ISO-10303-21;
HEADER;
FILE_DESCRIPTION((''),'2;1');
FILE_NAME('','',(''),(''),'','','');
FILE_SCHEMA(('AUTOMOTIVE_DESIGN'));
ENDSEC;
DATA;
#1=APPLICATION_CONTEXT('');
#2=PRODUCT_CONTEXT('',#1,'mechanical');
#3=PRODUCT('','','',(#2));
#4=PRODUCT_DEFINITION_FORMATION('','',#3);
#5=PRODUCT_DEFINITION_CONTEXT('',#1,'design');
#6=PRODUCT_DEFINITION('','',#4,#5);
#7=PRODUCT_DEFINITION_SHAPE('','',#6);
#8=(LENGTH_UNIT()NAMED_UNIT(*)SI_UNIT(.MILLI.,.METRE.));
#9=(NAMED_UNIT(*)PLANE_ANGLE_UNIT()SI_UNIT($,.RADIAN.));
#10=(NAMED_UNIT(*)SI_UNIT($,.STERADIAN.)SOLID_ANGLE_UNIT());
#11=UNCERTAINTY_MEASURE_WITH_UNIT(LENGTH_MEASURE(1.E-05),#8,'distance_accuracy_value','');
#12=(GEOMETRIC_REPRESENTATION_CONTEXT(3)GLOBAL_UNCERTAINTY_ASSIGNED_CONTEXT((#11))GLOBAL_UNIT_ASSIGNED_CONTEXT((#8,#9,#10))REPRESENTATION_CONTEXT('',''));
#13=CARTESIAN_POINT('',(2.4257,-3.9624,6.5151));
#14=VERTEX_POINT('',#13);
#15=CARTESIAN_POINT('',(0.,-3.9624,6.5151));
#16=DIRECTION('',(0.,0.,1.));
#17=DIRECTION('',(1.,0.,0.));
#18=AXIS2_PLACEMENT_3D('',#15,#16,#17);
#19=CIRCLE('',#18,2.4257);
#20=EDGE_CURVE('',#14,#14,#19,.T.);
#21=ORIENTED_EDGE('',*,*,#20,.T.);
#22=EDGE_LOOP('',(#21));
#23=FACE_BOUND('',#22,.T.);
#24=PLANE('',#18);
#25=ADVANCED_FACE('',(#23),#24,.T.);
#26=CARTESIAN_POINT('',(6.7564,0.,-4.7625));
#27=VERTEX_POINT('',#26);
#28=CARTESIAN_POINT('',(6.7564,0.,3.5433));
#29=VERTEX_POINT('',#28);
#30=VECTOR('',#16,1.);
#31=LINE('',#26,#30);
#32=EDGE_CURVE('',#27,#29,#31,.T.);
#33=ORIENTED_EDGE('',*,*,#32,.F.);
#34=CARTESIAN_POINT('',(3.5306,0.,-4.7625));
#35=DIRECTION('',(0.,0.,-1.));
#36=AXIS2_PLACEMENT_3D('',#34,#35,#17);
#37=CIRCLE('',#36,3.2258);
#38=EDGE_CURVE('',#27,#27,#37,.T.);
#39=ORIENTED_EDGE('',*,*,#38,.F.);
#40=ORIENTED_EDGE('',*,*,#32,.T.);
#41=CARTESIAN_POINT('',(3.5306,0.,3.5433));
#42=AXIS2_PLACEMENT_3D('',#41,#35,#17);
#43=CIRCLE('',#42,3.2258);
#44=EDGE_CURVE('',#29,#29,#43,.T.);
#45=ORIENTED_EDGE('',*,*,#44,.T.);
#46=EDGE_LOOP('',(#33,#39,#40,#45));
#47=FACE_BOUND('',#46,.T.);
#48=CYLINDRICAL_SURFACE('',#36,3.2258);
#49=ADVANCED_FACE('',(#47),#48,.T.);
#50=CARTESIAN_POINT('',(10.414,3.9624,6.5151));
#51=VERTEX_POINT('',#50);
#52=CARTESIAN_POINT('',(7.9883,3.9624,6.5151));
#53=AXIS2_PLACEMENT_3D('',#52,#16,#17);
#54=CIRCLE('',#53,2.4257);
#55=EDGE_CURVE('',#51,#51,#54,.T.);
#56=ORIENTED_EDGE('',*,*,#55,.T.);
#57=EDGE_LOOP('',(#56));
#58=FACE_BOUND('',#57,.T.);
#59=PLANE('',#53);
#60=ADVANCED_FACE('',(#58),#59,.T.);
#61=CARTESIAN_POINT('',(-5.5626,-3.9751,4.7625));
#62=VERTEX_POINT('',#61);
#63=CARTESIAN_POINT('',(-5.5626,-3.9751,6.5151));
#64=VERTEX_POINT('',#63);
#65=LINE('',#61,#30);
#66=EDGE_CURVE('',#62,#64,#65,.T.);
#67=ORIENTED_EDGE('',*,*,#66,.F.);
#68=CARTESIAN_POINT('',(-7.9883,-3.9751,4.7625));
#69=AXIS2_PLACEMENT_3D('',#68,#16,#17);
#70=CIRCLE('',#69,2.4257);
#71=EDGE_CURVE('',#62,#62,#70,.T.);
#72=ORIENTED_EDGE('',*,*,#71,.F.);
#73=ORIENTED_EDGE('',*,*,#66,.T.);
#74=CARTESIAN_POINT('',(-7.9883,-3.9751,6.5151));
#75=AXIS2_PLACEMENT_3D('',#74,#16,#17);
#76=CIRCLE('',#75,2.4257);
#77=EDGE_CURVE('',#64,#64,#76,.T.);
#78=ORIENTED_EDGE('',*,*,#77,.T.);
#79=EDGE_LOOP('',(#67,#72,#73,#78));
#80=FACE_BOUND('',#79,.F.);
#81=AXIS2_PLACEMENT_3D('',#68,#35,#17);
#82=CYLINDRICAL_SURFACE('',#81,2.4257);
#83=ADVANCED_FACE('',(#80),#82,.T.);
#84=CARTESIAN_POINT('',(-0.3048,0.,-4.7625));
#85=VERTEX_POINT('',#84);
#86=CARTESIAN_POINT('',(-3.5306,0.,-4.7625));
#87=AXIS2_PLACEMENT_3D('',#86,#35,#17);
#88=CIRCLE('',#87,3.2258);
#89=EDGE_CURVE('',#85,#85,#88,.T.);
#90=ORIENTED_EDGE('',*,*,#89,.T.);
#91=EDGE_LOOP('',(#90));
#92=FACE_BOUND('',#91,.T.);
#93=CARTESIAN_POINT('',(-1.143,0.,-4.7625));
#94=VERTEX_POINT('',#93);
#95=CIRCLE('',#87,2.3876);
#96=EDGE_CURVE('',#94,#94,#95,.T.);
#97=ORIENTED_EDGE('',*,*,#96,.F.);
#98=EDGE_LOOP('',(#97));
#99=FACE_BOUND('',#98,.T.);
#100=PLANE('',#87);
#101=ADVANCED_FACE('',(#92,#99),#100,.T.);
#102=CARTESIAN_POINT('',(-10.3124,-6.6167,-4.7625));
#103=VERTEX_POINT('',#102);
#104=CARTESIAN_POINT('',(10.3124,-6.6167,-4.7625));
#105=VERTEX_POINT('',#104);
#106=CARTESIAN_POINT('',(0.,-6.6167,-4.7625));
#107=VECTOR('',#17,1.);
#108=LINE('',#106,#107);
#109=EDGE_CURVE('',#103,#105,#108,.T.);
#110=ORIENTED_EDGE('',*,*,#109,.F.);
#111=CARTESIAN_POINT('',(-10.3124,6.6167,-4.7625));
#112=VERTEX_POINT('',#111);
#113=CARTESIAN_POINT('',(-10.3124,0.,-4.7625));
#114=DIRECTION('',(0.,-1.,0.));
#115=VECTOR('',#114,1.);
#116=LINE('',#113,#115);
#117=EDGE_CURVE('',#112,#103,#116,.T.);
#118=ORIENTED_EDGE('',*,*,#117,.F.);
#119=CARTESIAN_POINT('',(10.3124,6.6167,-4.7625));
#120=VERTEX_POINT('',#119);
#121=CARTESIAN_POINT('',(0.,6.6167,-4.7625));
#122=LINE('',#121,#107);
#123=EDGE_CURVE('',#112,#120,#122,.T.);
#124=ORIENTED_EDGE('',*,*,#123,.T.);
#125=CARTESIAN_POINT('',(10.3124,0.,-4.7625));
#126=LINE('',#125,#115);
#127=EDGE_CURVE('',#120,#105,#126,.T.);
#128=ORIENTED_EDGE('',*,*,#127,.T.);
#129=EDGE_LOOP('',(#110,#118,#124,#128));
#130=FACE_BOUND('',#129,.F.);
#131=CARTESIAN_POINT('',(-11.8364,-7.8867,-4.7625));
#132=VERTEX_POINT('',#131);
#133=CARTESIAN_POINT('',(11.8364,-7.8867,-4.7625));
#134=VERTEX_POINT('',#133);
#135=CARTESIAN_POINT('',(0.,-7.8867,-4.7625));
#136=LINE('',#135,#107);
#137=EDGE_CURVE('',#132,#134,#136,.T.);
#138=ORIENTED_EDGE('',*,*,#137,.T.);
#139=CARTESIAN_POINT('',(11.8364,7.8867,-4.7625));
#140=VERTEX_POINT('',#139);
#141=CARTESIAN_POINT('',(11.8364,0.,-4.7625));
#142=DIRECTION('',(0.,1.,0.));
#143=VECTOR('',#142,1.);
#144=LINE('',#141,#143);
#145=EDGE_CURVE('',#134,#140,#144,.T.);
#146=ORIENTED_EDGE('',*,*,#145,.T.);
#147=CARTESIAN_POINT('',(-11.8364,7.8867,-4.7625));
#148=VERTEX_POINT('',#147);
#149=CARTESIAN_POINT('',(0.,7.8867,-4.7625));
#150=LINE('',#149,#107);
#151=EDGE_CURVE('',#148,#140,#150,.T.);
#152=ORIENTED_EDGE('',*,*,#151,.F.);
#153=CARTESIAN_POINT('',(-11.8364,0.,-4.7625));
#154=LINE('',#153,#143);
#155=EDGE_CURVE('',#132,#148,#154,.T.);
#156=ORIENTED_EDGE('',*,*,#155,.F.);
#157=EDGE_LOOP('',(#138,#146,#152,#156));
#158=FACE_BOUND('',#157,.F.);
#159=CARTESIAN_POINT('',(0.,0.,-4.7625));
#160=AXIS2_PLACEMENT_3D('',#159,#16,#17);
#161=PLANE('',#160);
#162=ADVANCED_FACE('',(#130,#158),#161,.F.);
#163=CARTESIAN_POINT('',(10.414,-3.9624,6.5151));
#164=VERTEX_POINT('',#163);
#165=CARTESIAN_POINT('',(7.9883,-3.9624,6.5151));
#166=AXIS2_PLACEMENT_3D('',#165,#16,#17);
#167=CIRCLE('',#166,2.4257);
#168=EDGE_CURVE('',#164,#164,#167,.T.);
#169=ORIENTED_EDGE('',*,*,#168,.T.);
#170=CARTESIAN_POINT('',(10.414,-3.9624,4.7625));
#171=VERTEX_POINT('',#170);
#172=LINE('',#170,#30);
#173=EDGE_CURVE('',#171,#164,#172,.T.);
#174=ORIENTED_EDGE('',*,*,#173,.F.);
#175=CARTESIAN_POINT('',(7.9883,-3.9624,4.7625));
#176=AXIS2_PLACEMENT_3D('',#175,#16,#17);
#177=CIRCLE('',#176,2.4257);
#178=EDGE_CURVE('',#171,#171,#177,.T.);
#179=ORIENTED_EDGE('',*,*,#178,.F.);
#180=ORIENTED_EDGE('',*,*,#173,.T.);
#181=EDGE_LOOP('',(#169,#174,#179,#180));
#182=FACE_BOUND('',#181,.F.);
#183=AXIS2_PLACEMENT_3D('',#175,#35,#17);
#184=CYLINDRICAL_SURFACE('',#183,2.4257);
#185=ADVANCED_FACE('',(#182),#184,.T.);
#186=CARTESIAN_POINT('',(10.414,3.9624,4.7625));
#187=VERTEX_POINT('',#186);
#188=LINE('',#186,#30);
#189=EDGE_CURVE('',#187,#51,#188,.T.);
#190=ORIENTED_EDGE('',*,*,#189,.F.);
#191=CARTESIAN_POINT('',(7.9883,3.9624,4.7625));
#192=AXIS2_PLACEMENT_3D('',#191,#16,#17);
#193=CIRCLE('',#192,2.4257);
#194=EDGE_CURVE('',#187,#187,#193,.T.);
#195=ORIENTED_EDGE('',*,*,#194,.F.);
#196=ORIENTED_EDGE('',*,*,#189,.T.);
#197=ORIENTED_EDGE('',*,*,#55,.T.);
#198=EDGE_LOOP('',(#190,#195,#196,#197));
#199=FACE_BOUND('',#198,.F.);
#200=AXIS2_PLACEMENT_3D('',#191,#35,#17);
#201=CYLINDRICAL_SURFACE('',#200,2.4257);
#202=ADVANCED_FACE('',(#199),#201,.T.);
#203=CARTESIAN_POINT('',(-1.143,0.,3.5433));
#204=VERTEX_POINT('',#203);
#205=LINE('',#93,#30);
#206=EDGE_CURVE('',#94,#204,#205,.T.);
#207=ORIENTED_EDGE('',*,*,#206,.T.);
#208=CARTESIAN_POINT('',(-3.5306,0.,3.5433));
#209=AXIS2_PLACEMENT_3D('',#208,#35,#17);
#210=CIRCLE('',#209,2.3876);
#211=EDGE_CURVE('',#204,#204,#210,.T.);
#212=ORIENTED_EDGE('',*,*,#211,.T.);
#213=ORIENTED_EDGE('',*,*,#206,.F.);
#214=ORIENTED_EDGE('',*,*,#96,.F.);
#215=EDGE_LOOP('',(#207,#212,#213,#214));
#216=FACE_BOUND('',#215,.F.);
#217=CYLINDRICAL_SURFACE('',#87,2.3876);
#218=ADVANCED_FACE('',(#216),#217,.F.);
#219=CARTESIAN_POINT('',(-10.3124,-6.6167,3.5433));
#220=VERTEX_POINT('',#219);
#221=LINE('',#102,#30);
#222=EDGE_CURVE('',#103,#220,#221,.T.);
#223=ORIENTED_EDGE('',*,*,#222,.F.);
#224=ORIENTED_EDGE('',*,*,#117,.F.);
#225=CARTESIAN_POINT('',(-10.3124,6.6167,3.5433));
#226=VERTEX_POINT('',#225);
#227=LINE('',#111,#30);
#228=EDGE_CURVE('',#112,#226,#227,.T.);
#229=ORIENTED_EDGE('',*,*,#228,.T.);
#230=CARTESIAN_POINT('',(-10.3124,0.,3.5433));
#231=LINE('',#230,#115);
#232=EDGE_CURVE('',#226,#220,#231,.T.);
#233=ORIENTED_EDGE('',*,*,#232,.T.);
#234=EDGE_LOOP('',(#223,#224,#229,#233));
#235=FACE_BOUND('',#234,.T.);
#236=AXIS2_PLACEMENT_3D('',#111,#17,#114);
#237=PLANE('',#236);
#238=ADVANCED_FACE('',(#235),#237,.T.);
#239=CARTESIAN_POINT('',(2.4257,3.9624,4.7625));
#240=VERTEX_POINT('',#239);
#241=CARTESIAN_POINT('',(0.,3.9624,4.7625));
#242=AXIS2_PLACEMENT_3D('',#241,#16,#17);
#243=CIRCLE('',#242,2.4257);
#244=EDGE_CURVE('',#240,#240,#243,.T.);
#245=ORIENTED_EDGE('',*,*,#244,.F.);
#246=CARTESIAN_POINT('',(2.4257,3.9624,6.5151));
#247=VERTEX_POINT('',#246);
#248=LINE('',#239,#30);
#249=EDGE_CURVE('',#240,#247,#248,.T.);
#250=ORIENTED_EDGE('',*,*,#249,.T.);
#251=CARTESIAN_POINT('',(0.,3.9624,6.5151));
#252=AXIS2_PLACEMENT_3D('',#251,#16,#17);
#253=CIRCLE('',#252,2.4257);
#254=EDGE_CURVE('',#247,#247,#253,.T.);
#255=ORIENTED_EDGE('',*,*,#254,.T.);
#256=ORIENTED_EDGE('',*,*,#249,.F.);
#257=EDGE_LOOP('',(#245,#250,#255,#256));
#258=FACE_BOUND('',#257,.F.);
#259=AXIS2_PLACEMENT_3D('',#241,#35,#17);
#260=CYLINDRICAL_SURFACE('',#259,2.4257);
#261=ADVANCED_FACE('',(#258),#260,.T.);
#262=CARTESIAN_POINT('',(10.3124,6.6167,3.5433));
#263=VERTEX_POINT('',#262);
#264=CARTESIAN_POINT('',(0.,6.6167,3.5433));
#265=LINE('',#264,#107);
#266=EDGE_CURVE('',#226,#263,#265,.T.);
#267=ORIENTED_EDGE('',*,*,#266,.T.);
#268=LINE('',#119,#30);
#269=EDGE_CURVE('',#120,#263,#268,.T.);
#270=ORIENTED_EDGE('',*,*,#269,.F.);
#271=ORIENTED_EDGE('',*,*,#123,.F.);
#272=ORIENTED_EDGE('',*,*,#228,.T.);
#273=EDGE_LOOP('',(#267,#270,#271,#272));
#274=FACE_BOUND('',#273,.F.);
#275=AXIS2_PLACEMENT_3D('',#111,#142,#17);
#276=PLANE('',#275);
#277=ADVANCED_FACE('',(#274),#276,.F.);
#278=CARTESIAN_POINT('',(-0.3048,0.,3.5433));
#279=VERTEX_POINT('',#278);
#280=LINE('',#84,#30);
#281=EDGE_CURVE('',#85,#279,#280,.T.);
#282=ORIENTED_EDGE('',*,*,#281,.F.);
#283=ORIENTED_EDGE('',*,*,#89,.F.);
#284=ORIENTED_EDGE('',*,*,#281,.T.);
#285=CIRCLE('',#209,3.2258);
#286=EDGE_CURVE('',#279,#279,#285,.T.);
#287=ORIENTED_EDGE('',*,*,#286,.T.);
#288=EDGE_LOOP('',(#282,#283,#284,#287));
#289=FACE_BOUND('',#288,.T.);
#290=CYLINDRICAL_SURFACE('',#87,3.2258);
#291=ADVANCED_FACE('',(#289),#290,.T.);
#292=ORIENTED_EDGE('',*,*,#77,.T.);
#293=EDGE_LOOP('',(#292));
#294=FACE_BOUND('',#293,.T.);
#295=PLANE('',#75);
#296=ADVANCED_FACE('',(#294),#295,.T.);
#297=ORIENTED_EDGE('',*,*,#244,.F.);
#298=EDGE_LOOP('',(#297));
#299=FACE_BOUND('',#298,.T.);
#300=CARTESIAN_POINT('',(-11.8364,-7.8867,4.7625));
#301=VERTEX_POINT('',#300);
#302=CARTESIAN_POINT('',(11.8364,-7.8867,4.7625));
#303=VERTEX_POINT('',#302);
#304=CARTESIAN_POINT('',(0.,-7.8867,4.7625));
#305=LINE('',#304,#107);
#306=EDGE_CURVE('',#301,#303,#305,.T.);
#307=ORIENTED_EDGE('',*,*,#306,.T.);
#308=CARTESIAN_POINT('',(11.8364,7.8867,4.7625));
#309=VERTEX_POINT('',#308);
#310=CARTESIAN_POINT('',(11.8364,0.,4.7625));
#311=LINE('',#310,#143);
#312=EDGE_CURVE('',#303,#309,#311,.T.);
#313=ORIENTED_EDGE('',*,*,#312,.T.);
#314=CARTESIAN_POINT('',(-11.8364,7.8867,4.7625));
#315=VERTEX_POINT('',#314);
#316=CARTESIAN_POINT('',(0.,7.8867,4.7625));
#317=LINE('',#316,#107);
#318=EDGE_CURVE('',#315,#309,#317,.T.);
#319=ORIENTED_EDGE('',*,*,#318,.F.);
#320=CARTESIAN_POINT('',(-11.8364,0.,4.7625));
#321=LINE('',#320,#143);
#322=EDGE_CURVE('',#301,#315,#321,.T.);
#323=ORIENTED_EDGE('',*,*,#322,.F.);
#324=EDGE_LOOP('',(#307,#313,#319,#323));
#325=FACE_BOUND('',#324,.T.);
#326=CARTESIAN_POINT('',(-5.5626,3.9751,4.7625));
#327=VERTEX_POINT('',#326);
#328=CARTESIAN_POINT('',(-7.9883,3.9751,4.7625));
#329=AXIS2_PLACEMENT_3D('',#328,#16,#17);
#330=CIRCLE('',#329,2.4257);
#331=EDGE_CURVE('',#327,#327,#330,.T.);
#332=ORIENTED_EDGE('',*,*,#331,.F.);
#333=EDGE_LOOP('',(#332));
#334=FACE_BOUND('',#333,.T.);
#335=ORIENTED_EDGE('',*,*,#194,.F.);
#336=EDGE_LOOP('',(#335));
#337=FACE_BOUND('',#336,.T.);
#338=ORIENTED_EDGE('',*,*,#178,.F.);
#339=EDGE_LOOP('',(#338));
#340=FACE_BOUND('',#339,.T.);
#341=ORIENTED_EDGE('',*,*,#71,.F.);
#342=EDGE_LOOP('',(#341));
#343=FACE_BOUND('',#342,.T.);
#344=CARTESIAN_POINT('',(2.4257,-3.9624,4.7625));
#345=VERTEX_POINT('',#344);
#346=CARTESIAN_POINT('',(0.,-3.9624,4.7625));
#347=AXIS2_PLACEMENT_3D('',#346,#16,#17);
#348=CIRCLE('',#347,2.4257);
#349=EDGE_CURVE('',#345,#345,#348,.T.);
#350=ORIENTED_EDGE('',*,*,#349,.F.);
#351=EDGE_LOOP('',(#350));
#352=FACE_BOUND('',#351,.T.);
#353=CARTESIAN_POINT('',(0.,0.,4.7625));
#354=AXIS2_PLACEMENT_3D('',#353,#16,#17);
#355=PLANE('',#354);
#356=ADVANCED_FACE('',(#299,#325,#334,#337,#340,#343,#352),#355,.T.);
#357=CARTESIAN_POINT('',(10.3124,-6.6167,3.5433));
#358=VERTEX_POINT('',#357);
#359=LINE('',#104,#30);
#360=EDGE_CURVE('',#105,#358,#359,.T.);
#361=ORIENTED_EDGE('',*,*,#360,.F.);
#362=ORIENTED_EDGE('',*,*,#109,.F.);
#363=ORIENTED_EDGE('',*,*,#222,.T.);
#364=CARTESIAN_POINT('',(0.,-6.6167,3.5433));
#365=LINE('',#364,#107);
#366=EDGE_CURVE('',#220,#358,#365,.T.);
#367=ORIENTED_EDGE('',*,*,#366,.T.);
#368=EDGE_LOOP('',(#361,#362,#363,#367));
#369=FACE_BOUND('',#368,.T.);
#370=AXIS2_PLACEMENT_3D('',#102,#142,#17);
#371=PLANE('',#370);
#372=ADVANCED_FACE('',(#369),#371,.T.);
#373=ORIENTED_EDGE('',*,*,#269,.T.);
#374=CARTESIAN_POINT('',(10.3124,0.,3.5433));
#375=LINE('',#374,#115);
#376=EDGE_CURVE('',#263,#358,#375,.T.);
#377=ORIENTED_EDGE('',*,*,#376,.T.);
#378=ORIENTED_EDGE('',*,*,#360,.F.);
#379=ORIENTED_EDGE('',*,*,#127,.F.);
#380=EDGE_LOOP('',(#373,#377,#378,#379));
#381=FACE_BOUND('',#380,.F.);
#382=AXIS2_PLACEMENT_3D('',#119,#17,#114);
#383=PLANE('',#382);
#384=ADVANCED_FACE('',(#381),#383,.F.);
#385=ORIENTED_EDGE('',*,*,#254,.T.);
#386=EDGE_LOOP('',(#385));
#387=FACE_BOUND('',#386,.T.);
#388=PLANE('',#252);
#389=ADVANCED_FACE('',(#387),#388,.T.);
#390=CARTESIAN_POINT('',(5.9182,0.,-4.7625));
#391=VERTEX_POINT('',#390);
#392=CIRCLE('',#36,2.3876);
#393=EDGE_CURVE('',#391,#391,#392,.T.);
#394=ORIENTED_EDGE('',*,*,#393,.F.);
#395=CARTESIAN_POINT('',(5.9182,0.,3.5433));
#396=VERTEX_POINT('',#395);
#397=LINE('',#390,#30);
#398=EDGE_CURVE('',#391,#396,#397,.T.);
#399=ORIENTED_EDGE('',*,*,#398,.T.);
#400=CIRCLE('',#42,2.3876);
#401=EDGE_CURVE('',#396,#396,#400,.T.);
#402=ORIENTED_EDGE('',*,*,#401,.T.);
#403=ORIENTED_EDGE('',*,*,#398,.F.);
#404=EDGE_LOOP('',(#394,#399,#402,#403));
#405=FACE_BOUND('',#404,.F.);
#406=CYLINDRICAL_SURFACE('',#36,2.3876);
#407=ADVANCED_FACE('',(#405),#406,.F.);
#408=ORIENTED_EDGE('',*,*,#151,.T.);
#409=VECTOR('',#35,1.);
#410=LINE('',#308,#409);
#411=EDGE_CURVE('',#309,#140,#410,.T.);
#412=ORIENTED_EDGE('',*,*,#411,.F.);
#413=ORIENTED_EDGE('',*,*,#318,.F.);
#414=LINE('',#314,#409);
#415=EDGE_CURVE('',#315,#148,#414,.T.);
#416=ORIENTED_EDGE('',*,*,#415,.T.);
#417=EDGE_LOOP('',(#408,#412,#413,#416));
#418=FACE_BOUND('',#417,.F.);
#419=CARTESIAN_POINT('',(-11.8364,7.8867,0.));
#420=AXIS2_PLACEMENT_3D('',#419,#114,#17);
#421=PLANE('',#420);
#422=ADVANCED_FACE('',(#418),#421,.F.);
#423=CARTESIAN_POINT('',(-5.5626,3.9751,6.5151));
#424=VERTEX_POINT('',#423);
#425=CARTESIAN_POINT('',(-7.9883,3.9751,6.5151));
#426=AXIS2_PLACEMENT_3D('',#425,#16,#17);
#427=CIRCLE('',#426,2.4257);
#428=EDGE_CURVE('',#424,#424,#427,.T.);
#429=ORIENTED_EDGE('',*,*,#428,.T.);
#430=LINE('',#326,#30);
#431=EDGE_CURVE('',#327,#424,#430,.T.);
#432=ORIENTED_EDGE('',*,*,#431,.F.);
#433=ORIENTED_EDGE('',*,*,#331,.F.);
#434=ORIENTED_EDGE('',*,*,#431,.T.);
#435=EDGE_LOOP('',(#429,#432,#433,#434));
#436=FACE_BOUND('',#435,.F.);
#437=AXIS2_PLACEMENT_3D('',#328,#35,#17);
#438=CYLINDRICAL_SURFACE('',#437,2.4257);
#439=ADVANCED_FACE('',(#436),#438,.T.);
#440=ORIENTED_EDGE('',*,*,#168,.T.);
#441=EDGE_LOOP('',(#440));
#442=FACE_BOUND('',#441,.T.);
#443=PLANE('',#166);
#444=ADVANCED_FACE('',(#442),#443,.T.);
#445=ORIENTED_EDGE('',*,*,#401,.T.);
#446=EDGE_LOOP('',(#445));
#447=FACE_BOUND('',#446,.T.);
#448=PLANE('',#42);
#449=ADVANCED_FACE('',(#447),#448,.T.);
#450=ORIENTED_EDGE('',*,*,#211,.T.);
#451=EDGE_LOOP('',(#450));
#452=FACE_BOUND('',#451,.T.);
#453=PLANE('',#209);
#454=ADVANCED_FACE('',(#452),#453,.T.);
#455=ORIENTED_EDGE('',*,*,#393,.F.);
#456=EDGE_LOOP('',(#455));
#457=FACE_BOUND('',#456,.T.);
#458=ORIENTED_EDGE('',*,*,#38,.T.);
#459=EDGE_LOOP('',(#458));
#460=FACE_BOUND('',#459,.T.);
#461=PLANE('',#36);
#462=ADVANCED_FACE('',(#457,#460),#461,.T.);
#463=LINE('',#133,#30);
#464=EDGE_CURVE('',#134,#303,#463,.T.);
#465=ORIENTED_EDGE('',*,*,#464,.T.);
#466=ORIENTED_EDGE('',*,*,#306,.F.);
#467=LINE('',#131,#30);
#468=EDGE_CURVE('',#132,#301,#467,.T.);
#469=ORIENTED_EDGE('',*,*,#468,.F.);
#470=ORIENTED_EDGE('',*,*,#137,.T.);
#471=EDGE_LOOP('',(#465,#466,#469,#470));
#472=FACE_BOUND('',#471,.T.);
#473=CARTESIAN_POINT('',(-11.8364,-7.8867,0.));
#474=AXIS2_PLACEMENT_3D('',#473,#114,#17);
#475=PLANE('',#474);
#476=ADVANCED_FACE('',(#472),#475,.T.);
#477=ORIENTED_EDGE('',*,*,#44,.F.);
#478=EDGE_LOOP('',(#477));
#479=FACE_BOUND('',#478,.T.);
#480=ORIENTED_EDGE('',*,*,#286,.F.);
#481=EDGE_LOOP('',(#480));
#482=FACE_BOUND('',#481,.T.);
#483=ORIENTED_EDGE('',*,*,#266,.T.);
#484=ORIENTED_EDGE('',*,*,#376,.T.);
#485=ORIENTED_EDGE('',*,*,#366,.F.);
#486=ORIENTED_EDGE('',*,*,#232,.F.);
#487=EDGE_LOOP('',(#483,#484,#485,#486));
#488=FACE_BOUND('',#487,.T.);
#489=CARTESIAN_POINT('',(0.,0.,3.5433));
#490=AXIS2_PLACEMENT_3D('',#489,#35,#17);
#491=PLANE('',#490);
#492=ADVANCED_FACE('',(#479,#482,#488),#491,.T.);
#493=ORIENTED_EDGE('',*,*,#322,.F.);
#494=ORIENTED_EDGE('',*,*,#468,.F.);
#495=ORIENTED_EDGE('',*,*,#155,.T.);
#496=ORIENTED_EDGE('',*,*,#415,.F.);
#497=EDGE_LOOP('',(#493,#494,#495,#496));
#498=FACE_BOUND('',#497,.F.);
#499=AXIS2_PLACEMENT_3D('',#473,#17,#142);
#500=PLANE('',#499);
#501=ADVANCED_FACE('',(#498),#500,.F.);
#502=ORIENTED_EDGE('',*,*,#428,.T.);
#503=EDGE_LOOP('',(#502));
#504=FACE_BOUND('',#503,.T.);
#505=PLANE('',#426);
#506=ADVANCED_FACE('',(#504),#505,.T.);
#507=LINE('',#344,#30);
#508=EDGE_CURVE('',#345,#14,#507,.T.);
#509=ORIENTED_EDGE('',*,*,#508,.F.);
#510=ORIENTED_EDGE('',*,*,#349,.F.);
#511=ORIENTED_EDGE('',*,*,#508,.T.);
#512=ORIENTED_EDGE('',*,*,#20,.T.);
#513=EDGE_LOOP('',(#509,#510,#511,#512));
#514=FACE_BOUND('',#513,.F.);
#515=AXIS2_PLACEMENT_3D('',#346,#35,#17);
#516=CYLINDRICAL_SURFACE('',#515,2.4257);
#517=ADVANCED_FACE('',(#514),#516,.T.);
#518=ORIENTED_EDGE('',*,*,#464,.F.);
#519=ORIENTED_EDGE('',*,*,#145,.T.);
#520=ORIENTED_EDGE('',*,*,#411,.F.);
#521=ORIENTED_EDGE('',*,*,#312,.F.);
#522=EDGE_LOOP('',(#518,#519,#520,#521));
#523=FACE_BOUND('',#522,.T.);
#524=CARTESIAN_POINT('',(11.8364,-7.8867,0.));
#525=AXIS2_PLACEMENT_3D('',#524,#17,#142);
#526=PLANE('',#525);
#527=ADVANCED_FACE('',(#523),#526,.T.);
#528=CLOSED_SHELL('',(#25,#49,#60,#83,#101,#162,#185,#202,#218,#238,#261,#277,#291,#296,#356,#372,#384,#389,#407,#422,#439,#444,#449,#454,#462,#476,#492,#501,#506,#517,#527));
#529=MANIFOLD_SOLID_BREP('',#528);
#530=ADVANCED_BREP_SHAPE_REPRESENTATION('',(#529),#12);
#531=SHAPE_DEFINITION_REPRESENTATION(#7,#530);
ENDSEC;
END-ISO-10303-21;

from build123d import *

# Parameters (mm, degrees)
F0_W     = 23.6728
F0_H     = 15.7734
F1_DEPTH = 4.7625
F2_R     = 2.4257
F3_DEPTH = 1.7526
F4_W     = 20.6248
F4_H     = 13.2334
F7_DEPTH = 8.3058
F5_R     = 3.2258
F8_DEPTH = 8.3058
F6_R     = 2.3876
F9_DEPTH = 8.3058


with BuildPart() as f1:
    # F0 (on Top) → F1 (new body, symmetric)
    with BuildSketch(Plane.XY):
        Rectangle(F0_W, F0_H)
    extrude(amount=F1_DEPTH, both=True)

    # F2 (on face) → F3 (join)
    with BuildSketch(Plane.XY.offset(4.7625)):
        with Locations((-7.9883, 3.9751)):
            Circle(F2_R)
        with Locations((0, 3.9624)):
            Circle(F2_R)
        with Locations((7.9883, 3.9624)):
            Circle(F2_R)
        with Locations((7.9883, -3.9624)):
            Circle(F2_R)
        with Locations((0, -3.9624)):
            Circle(F2_R)
        with Locations((-7.9883, -3.9751)):
            Circle(F2_R)
    extrude(amount=F3_DEPTH)

    # F4 (on face) → F7 (cut)
    with BuildSketch(Plane(origin=(0, 0, -4.7625), x_dir=(1, 0, 0), z_dir=(0, 0, -1))):
        Rectangle(F4_W, F4_H)
    extrude(amount=-F7_DEPTH, mode=Mode.SUBTRACT)

    # F5 (on face) → F8 (join)
    with BuildSketch(Plane(origin=(0, 0, -4.7625), x_dir=(1, 0, 0), z_dir=(0, 0, -1))):
        with Locations((-3.5306, 0)):
            Circle(F5_R)
        with Locations((3.5306, 0)):
            Circle(F5_R)
    extrude(amount=-F8_DEPTH)

    # F6 (on face) → F9 (cut)
    with BuildSketch(Plane(origin=(0, 0, -4.7625), x_dir=(1, 0, 0), z_dir=(0, 0, -1))):
        with Locations((-3.5306, 0)):
            Circle(F6_R)
        with Locations((3.5306, 0)):
            Circle(F6_R)
    extrude(amount=-F9_DEPTH, mode=Mode.SUBTRACT)


solid = f1.part
